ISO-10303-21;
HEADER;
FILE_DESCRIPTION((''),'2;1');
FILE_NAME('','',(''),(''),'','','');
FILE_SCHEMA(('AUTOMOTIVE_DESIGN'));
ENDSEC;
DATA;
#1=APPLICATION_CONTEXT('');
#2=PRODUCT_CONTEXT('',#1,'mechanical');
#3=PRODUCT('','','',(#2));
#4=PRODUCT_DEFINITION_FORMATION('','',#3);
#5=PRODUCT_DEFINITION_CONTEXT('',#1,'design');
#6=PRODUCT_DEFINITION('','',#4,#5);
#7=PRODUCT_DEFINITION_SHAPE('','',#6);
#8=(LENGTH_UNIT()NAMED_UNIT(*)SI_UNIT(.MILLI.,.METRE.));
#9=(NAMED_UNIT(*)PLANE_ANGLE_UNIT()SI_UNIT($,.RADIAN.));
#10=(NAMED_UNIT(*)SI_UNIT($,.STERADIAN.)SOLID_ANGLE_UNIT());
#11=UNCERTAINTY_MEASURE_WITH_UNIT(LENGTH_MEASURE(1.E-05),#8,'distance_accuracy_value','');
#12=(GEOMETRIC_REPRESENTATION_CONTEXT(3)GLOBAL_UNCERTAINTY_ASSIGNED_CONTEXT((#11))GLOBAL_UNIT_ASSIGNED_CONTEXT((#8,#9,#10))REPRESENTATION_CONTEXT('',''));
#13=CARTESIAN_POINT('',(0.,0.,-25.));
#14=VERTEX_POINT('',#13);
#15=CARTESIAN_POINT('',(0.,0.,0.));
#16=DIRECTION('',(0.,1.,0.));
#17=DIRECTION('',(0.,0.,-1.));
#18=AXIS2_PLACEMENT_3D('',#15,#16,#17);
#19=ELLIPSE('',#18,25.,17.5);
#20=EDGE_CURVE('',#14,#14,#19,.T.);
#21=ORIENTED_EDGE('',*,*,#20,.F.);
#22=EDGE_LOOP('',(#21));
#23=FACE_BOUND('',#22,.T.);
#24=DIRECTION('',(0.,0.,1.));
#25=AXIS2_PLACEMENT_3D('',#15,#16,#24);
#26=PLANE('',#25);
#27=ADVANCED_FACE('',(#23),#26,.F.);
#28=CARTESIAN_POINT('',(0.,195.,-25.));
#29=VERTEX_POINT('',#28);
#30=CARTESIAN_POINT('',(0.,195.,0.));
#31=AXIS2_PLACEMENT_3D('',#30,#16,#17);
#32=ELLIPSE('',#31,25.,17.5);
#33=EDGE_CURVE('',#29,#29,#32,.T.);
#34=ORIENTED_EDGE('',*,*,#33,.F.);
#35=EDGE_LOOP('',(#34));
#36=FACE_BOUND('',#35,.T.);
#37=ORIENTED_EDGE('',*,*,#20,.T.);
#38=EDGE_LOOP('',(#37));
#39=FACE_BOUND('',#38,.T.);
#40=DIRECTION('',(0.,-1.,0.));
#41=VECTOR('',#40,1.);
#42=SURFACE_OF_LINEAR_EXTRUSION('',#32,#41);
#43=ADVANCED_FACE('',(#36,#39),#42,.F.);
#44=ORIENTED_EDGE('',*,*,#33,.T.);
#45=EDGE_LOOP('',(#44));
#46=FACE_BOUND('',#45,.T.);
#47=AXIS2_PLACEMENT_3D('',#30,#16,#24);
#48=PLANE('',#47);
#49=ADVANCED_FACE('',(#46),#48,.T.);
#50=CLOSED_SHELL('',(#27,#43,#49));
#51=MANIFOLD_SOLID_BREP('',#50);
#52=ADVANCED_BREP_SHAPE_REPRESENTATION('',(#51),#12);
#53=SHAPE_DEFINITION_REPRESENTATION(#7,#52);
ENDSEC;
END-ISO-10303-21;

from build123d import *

# Parameters (mm, degrees)
SKETCH2_RX          = 25
SKETCH2_RY          = 17.5
BOSS_EXTRUDE1_DEPTH = 195


with BuildPart() as part:
    # Sketch2 → Boss-Extrude1 (new body)
    with BuildSketch(Plane(origin=(0, 0, 0), x_dir=(1, 0, 0), z_dir=(0, 1, 0))):
        with Locations(Location((0, 0), (0, 0, 90))):
            Ellipse(SKETCH2_RX, SKETCH2_RY)
    extrude(amount=BOSS_EXTRUDE1_DEPTH)


solid = part.part
